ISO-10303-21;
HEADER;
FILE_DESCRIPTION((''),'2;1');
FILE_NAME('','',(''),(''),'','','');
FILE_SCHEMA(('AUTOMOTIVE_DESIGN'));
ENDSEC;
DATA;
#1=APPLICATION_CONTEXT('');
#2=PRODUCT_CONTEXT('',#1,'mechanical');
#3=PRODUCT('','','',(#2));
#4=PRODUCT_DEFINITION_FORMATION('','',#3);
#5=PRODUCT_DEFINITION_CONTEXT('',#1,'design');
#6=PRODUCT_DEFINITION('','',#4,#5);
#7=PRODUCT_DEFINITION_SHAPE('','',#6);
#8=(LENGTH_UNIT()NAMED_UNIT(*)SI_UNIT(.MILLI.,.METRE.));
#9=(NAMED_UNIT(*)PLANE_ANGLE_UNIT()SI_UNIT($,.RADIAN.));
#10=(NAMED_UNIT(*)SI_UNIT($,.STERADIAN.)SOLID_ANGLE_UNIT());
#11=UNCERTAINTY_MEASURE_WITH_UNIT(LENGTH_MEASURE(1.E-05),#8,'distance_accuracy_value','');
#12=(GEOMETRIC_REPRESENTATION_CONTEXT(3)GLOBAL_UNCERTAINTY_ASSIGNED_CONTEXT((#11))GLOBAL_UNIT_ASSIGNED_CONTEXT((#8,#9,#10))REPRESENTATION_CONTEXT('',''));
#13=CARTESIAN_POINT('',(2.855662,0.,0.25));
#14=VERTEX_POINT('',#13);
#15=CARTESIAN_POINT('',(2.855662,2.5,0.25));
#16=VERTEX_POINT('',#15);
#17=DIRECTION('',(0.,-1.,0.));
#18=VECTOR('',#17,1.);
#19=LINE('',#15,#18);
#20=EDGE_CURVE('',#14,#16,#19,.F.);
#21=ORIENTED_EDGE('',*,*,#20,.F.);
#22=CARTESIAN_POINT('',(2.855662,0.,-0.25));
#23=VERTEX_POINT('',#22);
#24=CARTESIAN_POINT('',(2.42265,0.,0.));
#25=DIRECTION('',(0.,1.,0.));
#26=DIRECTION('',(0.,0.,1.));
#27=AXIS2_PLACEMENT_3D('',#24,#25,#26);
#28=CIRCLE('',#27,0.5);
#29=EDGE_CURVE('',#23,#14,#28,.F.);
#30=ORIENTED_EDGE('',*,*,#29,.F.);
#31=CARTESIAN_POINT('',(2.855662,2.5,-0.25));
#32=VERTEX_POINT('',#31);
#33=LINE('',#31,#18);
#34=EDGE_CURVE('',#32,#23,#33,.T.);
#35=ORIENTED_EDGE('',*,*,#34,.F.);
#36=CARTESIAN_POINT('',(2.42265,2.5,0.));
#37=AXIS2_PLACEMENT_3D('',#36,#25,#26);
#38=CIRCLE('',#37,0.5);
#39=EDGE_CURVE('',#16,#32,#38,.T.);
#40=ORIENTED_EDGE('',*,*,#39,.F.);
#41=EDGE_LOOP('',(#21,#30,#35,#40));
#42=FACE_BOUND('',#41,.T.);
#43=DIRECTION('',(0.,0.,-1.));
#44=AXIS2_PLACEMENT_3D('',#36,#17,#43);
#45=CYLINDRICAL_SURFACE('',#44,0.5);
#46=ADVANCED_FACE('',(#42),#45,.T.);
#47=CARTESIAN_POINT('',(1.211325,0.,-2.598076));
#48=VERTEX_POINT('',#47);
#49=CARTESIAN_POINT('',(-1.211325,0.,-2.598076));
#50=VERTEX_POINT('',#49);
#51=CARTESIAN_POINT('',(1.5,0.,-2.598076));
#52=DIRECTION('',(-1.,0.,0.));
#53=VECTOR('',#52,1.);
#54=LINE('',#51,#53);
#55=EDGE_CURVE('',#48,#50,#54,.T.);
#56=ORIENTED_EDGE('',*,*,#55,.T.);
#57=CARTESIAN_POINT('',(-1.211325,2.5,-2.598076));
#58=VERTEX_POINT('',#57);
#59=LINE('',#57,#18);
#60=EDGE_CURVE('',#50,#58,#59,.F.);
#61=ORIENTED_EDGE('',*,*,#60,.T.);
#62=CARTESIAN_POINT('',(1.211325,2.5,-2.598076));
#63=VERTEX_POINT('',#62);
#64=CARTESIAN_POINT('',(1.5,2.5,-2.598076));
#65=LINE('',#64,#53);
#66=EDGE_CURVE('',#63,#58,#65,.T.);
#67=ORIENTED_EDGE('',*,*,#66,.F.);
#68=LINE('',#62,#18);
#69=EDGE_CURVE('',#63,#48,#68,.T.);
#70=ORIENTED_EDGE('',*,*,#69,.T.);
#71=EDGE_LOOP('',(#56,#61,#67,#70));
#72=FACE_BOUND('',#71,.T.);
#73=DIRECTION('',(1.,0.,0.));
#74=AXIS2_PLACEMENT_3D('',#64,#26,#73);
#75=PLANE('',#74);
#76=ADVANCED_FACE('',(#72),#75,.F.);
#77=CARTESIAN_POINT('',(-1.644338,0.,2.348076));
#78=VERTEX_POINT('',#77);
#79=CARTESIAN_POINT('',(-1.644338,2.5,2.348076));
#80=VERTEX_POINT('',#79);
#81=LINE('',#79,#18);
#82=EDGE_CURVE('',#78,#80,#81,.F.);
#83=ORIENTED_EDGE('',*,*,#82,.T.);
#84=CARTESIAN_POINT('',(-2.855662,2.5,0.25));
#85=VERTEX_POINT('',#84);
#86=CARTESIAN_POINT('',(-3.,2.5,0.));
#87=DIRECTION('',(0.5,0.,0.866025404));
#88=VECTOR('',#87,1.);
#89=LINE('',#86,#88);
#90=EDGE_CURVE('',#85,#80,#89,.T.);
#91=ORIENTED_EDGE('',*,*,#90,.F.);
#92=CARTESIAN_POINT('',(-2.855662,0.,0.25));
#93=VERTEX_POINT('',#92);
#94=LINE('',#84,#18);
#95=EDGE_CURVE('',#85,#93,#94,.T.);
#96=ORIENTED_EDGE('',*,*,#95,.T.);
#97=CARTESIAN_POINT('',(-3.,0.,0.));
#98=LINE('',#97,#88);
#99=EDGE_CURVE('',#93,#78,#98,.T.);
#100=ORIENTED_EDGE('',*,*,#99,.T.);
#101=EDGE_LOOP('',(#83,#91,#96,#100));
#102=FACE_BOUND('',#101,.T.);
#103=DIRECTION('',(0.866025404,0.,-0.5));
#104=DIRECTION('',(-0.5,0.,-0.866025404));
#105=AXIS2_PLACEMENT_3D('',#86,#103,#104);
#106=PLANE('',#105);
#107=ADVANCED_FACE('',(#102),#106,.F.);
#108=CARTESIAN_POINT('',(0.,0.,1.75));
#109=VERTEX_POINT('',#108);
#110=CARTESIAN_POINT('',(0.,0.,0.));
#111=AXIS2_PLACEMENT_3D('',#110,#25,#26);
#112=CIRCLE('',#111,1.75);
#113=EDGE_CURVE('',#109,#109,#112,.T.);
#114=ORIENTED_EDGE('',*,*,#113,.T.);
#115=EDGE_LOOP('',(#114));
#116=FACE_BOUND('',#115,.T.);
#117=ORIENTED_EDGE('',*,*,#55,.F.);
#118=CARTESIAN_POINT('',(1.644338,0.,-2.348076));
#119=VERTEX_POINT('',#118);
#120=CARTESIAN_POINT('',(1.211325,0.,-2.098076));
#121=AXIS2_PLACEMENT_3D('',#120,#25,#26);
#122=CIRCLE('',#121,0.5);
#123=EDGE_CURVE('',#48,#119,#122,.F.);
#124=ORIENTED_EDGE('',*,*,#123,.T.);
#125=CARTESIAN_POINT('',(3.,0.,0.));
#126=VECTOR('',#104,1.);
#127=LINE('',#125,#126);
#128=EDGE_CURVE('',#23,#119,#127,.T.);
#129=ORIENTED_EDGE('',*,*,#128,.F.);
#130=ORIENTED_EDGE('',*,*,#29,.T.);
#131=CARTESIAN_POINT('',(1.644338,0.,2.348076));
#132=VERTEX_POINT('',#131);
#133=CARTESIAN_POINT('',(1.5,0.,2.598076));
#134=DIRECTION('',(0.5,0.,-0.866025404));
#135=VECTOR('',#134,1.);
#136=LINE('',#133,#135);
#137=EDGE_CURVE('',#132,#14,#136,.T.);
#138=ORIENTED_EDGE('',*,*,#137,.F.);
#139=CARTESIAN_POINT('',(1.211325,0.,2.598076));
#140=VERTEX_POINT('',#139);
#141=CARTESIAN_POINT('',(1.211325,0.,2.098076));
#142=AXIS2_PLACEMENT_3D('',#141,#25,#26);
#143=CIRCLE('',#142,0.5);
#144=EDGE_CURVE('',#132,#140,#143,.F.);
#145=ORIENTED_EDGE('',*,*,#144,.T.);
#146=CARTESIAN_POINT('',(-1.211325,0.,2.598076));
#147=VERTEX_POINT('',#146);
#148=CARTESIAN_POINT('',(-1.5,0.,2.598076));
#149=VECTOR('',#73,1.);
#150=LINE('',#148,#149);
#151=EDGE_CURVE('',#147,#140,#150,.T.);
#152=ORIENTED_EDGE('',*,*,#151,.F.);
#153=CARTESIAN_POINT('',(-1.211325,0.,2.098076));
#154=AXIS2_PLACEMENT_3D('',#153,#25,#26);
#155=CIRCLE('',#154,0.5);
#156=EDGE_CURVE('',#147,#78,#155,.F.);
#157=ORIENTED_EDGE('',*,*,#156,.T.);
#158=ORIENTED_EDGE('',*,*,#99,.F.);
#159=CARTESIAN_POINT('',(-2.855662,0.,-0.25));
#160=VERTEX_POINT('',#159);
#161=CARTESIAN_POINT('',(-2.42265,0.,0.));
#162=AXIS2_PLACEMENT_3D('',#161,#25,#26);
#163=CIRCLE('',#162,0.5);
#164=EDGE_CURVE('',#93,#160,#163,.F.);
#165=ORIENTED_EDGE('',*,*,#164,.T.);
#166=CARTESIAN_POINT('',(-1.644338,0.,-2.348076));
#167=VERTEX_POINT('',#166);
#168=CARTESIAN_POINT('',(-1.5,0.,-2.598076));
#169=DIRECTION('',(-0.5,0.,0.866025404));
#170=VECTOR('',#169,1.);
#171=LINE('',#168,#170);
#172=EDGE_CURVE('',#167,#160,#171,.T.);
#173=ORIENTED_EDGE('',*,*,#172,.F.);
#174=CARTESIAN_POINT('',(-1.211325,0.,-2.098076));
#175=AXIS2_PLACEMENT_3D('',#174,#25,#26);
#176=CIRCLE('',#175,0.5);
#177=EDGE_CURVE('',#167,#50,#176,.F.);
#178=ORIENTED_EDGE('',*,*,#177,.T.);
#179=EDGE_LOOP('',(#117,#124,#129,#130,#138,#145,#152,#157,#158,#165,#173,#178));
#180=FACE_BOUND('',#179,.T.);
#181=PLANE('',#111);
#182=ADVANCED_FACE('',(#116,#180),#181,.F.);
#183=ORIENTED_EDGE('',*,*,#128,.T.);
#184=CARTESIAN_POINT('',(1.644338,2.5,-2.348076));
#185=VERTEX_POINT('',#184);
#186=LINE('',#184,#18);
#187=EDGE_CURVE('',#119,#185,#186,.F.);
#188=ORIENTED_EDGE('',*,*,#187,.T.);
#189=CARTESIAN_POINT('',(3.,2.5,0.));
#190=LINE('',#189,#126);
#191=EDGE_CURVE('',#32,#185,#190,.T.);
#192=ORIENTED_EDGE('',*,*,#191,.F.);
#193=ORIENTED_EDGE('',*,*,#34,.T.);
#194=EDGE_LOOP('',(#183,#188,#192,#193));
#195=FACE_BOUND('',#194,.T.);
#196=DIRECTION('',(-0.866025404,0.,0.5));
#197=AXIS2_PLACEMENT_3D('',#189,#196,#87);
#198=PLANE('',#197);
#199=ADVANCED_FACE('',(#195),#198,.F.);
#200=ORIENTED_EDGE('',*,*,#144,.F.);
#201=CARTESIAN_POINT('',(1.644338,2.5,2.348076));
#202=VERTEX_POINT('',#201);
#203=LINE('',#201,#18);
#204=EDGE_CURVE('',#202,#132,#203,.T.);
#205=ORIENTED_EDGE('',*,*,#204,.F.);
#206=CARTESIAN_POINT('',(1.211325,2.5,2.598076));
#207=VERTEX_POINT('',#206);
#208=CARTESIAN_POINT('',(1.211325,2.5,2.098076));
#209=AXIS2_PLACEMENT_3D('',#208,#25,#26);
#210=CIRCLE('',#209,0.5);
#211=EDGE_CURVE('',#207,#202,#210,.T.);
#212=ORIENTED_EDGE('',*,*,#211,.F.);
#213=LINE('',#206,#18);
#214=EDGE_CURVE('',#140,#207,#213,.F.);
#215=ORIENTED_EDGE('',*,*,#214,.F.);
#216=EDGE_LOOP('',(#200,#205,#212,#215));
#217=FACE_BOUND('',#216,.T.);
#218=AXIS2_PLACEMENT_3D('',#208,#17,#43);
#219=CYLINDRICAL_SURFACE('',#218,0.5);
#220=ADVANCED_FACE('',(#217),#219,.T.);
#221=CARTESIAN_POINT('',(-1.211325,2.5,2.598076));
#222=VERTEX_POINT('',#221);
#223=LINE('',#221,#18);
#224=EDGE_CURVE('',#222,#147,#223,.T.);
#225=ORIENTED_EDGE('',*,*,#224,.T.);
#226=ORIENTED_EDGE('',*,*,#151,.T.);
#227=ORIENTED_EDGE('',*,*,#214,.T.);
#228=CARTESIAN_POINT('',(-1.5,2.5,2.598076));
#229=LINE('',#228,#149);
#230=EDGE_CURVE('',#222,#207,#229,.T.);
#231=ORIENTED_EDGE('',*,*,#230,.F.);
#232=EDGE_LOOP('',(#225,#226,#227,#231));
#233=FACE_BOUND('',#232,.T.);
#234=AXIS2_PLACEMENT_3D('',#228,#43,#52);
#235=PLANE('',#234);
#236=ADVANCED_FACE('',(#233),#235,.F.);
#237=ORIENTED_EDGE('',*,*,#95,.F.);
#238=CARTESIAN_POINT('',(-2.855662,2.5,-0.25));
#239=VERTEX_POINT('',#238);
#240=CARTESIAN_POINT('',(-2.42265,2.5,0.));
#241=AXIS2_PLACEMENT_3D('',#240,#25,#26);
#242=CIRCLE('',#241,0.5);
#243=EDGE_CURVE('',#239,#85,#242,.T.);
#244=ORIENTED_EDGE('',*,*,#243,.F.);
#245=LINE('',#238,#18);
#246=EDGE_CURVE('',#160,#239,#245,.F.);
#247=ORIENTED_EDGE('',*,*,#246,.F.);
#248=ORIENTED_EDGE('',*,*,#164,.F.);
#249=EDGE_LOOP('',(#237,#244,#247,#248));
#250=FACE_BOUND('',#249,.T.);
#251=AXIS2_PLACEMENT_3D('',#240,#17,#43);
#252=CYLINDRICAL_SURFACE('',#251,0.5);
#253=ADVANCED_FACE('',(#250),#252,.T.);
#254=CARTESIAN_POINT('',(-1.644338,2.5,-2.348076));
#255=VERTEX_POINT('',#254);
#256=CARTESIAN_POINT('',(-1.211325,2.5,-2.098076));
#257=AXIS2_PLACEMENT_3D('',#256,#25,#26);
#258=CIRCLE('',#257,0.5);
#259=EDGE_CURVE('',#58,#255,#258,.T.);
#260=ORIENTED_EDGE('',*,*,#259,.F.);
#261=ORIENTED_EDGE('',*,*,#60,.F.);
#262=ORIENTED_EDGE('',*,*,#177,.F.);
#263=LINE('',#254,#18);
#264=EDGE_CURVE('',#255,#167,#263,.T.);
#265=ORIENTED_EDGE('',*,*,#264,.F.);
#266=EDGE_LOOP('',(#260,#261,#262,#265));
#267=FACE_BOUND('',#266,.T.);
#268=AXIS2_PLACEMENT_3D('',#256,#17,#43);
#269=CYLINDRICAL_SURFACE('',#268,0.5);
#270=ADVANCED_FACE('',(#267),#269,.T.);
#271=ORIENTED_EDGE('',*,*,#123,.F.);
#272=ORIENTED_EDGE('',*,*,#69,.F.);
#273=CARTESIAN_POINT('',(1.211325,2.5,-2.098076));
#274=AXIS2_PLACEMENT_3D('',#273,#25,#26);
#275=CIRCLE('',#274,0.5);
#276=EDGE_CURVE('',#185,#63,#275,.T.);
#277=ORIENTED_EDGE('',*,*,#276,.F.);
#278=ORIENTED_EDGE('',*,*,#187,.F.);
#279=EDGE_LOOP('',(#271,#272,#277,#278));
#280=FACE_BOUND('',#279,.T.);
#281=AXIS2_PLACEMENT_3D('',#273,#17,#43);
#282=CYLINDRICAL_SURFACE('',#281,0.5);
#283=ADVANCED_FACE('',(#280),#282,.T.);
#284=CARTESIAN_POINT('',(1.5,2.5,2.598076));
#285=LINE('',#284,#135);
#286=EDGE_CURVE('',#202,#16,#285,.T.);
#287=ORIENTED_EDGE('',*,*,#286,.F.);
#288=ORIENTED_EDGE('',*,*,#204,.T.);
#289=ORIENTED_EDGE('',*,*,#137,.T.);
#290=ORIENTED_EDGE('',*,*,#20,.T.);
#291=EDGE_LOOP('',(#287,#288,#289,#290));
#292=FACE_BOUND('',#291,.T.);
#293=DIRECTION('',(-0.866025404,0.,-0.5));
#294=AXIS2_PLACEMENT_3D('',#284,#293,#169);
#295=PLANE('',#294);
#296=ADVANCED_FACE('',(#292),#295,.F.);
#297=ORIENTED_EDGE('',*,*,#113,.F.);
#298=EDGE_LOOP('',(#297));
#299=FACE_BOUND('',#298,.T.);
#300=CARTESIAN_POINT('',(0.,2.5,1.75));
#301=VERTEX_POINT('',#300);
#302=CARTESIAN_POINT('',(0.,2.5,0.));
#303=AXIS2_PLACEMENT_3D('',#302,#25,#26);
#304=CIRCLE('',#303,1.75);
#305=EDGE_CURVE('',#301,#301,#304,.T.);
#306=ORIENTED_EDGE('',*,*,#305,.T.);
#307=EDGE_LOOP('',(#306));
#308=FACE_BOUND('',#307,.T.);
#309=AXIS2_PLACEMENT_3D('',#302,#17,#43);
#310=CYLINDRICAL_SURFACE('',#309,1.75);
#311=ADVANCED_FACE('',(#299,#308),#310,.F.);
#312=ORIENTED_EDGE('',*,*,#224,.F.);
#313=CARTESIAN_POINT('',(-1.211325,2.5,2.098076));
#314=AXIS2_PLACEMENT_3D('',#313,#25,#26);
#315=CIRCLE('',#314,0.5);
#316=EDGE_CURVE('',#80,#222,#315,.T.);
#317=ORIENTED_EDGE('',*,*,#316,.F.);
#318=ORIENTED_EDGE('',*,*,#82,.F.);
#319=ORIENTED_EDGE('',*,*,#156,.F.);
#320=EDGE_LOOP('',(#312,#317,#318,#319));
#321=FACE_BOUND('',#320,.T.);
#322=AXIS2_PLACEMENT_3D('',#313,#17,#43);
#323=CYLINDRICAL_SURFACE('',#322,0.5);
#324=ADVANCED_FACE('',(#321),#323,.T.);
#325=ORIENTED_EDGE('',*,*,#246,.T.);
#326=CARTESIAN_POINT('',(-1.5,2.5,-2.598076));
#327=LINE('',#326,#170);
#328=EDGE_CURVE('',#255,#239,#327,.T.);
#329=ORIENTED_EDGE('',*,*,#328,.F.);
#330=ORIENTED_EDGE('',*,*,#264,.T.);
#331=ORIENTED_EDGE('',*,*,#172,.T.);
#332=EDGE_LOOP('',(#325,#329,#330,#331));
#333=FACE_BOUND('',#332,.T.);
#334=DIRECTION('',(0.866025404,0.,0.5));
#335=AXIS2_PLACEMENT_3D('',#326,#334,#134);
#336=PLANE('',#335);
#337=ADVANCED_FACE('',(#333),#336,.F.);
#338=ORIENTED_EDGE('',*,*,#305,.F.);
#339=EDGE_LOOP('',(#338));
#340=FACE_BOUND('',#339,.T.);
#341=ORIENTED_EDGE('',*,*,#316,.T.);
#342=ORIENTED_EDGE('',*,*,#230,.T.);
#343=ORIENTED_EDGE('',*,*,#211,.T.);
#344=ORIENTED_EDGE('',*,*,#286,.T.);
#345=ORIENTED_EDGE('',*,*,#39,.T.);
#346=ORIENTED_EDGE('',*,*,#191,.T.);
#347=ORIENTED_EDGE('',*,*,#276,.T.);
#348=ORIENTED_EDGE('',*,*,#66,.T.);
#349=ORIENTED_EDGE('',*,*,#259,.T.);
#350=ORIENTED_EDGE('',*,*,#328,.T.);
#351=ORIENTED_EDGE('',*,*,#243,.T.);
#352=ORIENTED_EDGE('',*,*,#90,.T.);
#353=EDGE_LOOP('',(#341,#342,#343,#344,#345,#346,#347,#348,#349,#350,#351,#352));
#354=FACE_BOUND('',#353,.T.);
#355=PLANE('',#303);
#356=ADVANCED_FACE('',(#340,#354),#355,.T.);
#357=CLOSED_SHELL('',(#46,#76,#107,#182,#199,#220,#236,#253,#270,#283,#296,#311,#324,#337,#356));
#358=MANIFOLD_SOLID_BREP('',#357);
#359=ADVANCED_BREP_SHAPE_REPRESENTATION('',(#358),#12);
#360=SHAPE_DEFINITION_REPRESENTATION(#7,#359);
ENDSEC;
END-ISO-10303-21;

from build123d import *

# Parameters (mm, degrees)
SCHIZZO1_R                   = 1.75
ESTRUSIONE_ESTRUSIONE1_DEPTH = 2.5
RACCORDO1_R                  = 0.5


with BuildPart() as part:
    # Schizzo1 → Estrusione-Estrusione1 (new body)
    with BuildSketch(Plane(origin=(0, 0, 0), x_dir=(1, 0, 0), z_dir=(0, 1, 0))):
        Polygon((-1.5, 2.598076211), (-3, 0), (-1.5, -2.598076211), (1.5, -2.598076211), (3, 0), (1.5, 2.598076211), align=None)
        with Locations(Location((0, 0, 0), (0, 0, 270))):
            Circle(SCHIZZO1_R, mode=Mode.SUBTRACT)
    extrude(amount=ESTRUSIONE_ESTRUSIONE1_DEPTH)

    # Raccordo1
    raccordo1_edges = [part.edges().sort_by_distance(p)[0] for p in [
        (1.5, 1.25, -2.598076211),
        (3, 1.25, 0),
        (1.5, 1.25, 2.598076211),
        (-1.5, 1.25, 2.598076211),
        (-3, 1.25, 0),
        (-1.5, 1.25, -2.598076211),
    ]]
    fillet(raccordo1_edges, radius=RACCORDO1_R)


solid = part.part
